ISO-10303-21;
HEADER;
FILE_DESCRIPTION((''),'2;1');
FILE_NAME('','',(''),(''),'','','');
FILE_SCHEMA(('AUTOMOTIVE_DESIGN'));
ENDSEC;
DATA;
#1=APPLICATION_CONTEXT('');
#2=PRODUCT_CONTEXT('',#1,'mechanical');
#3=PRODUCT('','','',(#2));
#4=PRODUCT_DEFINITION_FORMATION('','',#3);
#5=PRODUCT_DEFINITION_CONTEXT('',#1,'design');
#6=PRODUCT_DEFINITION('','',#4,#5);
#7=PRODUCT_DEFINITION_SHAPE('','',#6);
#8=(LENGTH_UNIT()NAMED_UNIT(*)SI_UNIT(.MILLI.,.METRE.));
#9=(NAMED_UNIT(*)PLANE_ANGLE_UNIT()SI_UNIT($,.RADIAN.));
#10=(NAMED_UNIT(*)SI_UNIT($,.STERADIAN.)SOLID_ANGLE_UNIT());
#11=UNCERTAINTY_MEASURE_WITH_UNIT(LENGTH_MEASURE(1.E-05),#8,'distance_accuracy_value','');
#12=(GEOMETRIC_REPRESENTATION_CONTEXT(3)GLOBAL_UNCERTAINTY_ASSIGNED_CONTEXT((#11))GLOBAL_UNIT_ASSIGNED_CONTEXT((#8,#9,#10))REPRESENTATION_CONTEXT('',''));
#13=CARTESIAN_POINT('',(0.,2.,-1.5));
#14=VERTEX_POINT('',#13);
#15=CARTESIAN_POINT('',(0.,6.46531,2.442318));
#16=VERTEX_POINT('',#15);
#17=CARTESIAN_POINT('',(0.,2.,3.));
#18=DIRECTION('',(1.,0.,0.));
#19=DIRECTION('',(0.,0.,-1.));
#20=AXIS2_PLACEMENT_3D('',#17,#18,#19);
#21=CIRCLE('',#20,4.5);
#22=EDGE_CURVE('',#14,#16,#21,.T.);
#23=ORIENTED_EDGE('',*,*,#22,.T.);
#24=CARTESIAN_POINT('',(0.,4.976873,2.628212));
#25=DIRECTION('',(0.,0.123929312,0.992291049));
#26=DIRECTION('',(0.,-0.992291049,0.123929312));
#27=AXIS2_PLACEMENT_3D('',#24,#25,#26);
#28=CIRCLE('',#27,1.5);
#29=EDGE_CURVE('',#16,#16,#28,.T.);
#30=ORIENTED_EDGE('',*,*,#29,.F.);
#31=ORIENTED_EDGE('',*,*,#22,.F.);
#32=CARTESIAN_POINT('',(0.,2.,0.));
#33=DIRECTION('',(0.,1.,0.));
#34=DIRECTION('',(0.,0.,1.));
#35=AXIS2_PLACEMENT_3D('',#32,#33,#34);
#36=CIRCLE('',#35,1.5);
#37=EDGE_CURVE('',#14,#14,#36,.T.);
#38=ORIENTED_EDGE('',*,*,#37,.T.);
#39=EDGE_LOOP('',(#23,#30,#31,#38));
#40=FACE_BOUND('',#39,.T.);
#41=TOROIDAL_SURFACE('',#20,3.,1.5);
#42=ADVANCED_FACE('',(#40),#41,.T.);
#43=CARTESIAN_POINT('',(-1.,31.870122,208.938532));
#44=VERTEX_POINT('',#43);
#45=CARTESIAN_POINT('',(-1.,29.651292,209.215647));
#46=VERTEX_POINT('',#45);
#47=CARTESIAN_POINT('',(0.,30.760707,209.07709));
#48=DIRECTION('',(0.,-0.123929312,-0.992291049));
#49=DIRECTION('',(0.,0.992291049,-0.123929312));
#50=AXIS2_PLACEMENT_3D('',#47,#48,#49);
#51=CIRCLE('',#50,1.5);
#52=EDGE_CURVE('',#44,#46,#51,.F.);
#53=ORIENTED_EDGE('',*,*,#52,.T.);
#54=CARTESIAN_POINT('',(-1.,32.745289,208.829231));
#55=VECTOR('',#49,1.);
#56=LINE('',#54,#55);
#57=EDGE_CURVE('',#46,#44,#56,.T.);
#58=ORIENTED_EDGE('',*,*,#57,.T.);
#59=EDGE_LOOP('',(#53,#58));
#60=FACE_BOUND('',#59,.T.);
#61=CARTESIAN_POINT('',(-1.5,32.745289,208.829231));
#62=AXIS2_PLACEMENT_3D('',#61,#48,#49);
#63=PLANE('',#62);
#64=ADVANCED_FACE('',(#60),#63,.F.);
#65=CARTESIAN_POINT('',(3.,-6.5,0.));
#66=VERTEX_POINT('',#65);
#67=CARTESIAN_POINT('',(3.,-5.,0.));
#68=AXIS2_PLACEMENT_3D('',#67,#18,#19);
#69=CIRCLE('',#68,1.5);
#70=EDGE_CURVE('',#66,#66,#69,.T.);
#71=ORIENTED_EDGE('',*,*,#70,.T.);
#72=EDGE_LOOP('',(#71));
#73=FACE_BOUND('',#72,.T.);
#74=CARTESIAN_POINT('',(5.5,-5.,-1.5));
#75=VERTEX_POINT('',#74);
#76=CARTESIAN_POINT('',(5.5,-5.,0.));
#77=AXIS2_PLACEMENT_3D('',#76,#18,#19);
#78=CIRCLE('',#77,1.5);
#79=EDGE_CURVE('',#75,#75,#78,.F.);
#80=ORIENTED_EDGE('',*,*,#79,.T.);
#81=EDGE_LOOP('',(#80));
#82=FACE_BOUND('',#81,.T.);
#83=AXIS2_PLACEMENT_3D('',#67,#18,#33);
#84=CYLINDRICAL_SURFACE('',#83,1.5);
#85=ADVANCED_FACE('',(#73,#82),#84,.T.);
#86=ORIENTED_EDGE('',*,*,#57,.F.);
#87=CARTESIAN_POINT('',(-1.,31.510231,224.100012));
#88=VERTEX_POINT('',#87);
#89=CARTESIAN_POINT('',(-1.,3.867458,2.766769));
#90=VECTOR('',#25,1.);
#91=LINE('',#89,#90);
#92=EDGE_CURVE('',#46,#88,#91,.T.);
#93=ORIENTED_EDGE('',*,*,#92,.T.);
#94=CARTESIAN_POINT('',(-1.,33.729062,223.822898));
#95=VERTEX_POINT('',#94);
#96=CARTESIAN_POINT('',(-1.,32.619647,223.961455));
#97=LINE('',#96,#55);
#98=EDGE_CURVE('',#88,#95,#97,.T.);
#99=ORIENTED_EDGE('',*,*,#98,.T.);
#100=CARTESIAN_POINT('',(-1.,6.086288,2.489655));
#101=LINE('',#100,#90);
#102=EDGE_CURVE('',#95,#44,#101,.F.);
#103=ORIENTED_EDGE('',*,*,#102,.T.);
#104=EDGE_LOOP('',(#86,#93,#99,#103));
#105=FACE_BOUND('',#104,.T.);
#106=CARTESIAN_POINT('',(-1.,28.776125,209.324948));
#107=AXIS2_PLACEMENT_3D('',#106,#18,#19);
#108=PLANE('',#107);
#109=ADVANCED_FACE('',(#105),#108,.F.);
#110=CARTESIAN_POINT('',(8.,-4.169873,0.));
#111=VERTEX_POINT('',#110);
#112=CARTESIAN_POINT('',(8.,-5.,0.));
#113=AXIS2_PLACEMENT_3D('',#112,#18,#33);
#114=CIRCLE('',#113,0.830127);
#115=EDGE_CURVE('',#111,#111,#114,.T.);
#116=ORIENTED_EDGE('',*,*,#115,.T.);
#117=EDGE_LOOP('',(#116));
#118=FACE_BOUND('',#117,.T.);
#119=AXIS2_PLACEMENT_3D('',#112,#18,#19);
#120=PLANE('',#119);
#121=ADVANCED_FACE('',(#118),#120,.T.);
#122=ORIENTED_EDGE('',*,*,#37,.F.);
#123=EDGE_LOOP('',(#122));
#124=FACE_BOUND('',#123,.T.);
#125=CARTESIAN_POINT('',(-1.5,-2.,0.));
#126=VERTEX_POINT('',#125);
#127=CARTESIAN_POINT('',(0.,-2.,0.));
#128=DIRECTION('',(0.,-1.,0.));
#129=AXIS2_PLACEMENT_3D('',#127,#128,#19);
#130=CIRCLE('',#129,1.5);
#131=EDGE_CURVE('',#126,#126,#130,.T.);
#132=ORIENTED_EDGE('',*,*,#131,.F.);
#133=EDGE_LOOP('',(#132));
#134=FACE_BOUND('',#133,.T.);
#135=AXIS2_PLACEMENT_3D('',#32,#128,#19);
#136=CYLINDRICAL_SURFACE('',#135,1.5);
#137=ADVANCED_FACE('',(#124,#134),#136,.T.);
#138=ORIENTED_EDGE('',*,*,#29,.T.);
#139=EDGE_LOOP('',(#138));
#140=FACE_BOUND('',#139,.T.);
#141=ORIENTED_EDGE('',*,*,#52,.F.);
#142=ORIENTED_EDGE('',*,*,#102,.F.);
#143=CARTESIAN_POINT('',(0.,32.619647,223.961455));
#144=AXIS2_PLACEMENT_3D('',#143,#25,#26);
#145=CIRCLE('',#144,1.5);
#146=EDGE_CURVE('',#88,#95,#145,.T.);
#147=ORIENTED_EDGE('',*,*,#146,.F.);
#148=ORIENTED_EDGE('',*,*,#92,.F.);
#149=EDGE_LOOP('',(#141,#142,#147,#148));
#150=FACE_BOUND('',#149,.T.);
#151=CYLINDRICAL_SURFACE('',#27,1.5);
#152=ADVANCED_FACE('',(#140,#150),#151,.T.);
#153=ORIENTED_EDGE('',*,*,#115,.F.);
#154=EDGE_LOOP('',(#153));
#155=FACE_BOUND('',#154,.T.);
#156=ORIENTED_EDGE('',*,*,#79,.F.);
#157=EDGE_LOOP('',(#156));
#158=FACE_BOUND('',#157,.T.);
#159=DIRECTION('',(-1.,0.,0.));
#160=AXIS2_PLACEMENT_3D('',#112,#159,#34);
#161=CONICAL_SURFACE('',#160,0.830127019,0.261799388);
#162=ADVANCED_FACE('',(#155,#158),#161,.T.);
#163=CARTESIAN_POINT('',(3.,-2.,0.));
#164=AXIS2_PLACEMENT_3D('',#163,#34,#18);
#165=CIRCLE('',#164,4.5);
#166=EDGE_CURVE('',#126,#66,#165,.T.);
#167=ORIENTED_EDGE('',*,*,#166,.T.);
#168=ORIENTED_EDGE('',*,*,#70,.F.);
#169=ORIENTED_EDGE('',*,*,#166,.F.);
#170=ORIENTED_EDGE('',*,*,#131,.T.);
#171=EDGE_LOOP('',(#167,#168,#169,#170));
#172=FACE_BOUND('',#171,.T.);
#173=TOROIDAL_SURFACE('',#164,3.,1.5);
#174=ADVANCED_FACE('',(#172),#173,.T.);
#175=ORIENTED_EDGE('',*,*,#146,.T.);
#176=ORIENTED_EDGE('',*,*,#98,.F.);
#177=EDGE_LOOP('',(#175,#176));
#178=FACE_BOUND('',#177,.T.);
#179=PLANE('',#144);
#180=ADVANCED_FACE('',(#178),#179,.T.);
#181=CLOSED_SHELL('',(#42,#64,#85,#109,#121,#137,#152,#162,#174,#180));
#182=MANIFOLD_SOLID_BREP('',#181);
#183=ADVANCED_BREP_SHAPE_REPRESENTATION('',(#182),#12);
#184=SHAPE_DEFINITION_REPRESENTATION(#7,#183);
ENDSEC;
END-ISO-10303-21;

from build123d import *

# Parameters (mm, degrees)
SKETCH2_R          = 1.5
SKETCH4_R          = 1.5
CHAMFER1_SIZE      = 2.5
CHAMFER1_SIZE2     = 0.669872981
CUT_EXTRUDE1_DEPTH = 1.5000001


with BuildPart() as part:
    # Sweep1: sweep along a path in Sketch1
    with BuildLine(Plane(origin=(0, 0, 0), x_dir=(0, 0, -1), z_dir=(1, 0, 0))) as sweep1_path:
        Line((0, 0), (0, 2))
        ThreePointArc((0, 2), (-0.751070943, 3.985527158), (-2.628212063, 4.976873146))
        Line((-2.628212063, 4.976873146), (-219, 32))
        Line((-219, 32), (-223.961455244, 32.619646562))
    # Sketch2 → Sweep1 (sweep)
    with BuildSketch(Plane(origin=(0, 0, 0), x_dir=(1, 0, 0), z_dir=(0, 1, 0))):
        Circle(SKETCH2_R)
    sweep(path=sweep1_path.line)

    # Sweep2: sweep along a path in Sketch3
    with BuildLine(Plane.XY) as sweep2_path:
        Line((0, 0), (0, -2))
        ThreePointArc((0, -2), (0.878679656, -4.121320344), (3, -5))
        Line((3, -5), (8, -5))
    # Sketch4 → Sweep2 (sweep)
    with BuildSketch(Plane.XZ):
        Circle(SKETCH4_R)
    sweep(path=sweep2_path.line)

    # Chamfer1
    chamfer1_edges = [part.edges().sort_by_distance(p)[0] for p in [
        (8, -6.5, 0),
    ]]
    chamfer1_side = [part.faces().sort_by_distance(p)[0] for p in [
        (5.5, -6.5, 0),
    ]]
    chamfer(chamfer1_edges, length=CHAMFER1_SIZE, length2=CHAMFER1_SIZE2, reference=chamfer1_side[0])

    # Sketch5 → Cut-Extrude1 (cut, through all)
    with BuildSketch(Plane(origin=(-1, 0, 0), x_dir=(0, 0, -1), z_dir=(1, 0, 0))):
        Polygon((-224.209313869, 30.635064464), (-223.713596619, 34.604228659), (-208.829230887, 32.745288974), (-209.324948137, 28.776124779), align=None)
    extrude(amount=-CUT_EXTRUDE1_DEPTH, mode=Mode.SUBTRACT)


solid = part.part
